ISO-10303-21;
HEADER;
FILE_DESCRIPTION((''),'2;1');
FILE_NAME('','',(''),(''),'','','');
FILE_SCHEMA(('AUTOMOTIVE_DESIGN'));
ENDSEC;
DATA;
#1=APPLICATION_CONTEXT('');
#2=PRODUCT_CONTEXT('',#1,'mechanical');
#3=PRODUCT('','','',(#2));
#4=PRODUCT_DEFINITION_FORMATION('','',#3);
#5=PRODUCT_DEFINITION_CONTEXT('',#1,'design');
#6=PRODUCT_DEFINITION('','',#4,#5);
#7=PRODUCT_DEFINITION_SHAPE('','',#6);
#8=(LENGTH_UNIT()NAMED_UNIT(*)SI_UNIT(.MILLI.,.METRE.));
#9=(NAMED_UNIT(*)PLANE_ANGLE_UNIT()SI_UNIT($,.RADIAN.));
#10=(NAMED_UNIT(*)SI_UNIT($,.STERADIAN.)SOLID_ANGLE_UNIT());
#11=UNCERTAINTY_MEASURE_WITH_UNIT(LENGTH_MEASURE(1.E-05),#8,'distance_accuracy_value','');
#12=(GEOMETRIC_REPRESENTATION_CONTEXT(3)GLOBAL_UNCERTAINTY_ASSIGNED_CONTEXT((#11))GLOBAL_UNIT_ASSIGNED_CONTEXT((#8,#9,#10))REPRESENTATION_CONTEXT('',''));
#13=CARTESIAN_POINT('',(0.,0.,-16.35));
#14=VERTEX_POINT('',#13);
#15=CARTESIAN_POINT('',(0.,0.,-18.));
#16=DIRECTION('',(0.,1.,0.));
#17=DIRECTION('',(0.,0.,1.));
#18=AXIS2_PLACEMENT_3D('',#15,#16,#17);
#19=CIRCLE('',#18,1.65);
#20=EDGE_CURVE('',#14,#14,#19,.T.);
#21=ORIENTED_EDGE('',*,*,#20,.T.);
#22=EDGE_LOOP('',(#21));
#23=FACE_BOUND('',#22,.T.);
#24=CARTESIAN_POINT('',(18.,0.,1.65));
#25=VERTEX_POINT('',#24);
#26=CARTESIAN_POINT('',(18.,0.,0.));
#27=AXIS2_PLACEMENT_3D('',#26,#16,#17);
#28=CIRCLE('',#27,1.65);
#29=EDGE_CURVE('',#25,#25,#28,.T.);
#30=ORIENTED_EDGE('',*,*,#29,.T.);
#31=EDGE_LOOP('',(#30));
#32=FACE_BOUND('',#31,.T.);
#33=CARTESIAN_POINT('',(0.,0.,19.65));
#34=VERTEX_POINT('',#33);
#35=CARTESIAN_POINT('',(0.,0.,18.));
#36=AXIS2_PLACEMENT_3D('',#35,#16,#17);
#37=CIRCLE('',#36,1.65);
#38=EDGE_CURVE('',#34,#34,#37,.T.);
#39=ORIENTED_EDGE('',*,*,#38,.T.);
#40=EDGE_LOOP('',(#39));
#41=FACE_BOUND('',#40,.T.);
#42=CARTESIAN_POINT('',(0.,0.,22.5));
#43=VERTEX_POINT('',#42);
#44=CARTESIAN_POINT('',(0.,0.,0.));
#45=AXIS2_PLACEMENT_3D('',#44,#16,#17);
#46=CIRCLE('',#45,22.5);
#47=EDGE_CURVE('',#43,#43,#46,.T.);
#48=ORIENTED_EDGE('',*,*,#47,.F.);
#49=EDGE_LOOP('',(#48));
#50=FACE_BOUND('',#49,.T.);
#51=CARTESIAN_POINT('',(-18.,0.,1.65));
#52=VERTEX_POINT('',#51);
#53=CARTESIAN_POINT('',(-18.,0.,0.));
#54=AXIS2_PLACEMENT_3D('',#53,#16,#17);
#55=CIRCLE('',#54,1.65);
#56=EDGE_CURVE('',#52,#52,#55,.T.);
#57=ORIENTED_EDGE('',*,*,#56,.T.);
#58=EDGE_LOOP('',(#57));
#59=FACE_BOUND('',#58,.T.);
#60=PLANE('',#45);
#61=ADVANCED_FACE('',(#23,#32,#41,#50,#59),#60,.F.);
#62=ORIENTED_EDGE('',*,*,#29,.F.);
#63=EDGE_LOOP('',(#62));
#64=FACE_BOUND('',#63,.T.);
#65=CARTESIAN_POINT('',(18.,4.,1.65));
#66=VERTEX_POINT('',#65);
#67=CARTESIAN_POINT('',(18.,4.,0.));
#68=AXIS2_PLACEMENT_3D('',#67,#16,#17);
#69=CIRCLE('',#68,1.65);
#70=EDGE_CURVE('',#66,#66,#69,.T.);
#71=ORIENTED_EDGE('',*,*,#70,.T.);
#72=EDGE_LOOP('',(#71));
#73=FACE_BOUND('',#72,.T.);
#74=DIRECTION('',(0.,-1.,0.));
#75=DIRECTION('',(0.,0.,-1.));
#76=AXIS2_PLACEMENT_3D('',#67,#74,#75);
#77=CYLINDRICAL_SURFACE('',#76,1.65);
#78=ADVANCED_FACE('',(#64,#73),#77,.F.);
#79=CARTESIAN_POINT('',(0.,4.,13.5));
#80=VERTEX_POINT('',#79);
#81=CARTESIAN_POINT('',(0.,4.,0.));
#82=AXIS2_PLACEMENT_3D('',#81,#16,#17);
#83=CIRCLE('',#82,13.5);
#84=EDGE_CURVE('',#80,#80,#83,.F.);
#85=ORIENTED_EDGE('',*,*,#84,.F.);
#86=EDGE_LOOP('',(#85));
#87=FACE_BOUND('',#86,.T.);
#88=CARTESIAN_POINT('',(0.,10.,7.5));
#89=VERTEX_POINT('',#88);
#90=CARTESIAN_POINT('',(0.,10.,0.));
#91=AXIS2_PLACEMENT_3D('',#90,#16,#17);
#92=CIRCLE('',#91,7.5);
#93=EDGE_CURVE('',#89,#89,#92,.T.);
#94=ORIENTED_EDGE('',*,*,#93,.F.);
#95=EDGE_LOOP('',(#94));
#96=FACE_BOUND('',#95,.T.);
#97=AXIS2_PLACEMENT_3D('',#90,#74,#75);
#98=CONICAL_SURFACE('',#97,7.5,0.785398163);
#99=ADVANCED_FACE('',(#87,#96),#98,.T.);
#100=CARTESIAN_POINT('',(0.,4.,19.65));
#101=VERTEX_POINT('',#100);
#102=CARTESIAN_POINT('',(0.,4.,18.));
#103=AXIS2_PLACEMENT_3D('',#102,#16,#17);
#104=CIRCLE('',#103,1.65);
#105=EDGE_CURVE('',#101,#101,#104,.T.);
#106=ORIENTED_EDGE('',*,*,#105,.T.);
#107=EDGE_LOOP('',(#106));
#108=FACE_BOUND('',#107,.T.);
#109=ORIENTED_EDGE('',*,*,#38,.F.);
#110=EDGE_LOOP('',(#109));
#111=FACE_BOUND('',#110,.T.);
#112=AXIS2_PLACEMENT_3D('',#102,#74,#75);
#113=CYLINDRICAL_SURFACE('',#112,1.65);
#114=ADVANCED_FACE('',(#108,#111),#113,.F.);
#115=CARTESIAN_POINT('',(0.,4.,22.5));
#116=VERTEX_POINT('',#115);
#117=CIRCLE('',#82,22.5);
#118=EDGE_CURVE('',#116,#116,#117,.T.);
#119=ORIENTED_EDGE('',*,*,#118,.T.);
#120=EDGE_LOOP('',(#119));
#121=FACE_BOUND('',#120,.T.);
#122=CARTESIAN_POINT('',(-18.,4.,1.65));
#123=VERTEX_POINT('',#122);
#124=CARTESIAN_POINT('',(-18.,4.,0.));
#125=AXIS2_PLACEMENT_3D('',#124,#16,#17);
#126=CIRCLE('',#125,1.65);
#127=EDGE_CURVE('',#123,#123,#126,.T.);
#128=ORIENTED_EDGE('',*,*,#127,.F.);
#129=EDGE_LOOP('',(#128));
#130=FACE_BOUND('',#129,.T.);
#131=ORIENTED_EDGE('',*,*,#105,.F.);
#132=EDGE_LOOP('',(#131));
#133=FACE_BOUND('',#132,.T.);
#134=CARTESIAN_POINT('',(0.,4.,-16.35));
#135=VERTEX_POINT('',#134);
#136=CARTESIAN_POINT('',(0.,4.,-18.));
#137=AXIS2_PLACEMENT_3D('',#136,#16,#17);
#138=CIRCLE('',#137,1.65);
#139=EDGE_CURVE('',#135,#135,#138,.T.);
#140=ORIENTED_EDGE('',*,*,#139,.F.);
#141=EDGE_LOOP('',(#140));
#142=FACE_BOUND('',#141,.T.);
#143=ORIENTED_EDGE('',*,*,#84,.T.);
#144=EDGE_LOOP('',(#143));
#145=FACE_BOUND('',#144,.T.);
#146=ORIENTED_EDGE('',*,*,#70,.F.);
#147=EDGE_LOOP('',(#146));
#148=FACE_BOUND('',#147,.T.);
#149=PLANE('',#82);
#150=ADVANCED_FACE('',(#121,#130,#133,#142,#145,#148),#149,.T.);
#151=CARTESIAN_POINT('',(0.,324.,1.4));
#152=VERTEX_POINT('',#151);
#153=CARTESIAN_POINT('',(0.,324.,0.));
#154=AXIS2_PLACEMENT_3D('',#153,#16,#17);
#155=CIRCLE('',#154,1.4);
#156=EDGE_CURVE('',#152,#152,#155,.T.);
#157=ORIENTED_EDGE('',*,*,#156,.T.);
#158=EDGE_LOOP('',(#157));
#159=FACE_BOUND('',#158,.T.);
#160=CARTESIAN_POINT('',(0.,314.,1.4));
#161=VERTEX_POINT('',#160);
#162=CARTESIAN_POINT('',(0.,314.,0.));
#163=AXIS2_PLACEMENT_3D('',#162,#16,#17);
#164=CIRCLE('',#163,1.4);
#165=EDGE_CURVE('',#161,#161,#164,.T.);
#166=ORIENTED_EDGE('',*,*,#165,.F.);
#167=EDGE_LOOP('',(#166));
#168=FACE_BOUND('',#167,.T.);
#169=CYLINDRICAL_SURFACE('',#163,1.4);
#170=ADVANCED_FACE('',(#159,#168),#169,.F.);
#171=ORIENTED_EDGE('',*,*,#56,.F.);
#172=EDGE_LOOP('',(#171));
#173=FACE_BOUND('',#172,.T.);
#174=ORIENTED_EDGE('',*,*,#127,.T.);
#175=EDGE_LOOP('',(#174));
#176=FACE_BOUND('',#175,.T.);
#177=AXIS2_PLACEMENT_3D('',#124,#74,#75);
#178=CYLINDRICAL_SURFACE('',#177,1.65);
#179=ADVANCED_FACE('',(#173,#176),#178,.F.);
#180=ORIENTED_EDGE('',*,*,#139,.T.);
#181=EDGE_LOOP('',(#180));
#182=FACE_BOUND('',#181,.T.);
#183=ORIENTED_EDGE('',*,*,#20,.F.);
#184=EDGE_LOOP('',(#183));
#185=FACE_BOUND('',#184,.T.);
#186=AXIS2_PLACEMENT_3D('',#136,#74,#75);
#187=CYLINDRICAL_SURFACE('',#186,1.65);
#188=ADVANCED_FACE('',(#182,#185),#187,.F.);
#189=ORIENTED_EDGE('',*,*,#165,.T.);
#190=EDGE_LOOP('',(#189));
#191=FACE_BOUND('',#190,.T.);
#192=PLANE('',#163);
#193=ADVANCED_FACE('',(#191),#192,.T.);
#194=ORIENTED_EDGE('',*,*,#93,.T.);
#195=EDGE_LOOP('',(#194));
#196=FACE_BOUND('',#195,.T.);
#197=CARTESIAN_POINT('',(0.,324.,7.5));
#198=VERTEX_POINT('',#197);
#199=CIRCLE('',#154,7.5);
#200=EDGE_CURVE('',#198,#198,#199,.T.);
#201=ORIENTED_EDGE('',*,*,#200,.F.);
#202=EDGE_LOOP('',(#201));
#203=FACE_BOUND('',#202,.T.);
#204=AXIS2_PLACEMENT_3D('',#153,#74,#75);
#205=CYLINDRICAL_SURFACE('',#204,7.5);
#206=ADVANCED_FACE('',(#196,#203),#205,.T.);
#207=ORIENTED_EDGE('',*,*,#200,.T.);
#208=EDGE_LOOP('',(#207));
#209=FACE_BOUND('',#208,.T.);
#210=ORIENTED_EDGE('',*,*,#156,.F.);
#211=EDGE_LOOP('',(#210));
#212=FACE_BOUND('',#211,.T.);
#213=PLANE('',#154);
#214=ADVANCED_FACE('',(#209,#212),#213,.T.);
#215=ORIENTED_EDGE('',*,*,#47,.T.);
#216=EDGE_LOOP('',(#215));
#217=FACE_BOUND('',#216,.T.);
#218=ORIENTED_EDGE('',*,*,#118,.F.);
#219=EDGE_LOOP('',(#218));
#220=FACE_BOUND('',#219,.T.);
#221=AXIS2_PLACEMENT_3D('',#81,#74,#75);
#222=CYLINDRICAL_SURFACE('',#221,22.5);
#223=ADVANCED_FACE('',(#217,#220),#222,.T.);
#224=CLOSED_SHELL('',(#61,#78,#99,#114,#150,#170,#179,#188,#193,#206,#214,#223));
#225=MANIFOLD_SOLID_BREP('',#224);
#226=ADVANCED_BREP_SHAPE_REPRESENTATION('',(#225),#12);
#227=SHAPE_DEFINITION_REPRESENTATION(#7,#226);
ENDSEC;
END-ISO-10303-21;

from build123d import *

# Parameters (mm, degrees)
SKETCH_1_R          = 22.5
SKETCH_1_R_2        = 1.65
EXTRUDE_1_DEPTH     = 4
SKETCH_2_R          = 7.5
EXTRUDE_2_DEPTH     = 320
SKETCH_3_R          = 1.4
CUT_EXTRUDE_1_DEPTH = 10
CHAMFER_1_SIZE      = 6


with BuildPart() as part:
    # 草图1 → 凸台-拉伸1 (new body)
    with BuildSketch(Plane(origin=(0, 0, 0), x_dir=(1, 0, 0), z_dir=(0, 1, 0))):
        with Locations(Location((0, 0, 0), (0, 0, 270))):
            Circle(SKETCH_1_R)
        with Locations(Location((-18, 0, 0), (0, 0, 270))):
            Circle(SKETCH_1_R_2, mode=Mode.SUBTRACT)
        with Locations(Location((18, 0, 0), (0, 0, 270))):
            Circle(SKETCH_1_R_2, mode=Mode.SUBTRACT)
        with Locations(Location((0, 18, 0), (0, 0, 270))):
            Circle(SKETCH_1_R_2, mode=Mode.SUBTRACT)
        with Locations(Location((0, -18, 0), (0, 0, 270))):
            Circle(SKETCH_1_R_2, mode=Mode.SUBTRACT)
    extrude(amount=EXTRUDE_1_DEPTH)

    # 草图2 → 凸台-拉伸2 (add)
    with BuildSketch(Plane(origin=(0, 4, 0), x_dir=(1, 0, 0), z_dir=(0, 1, 0))):
        with Locations(Location((0, 0, 0), (0, 0, 270))):
            Circle(SKETCH_2_R)
    extrude(amount=EXTRUDE_2_DEPTH)

    # 草图3 → 切除-拉伸1 (cut)
    with BuildSketch(Plane(origin=(0, 324, 0), x_dir=(1, 0, 0), z_dir=(0, 1, 0))):
        with Locations(Location((0, 0, 0), (0, 0, 270))):
            Circle(SKETCH_3_R)
    extrude(amount=-CUT_EXTRUDE_1_DEPTH, mode=Mode.SUBTRACT)

    # 倒角1
    chamfer_1_edges = [part.edges().sort_by_distance(p)[0] for p in [
        (0, 4, -7.5),
    ]]
    chamfer(chamfer_1_edges, length=CHAMFER_1_SIZE)


solid = part.part
